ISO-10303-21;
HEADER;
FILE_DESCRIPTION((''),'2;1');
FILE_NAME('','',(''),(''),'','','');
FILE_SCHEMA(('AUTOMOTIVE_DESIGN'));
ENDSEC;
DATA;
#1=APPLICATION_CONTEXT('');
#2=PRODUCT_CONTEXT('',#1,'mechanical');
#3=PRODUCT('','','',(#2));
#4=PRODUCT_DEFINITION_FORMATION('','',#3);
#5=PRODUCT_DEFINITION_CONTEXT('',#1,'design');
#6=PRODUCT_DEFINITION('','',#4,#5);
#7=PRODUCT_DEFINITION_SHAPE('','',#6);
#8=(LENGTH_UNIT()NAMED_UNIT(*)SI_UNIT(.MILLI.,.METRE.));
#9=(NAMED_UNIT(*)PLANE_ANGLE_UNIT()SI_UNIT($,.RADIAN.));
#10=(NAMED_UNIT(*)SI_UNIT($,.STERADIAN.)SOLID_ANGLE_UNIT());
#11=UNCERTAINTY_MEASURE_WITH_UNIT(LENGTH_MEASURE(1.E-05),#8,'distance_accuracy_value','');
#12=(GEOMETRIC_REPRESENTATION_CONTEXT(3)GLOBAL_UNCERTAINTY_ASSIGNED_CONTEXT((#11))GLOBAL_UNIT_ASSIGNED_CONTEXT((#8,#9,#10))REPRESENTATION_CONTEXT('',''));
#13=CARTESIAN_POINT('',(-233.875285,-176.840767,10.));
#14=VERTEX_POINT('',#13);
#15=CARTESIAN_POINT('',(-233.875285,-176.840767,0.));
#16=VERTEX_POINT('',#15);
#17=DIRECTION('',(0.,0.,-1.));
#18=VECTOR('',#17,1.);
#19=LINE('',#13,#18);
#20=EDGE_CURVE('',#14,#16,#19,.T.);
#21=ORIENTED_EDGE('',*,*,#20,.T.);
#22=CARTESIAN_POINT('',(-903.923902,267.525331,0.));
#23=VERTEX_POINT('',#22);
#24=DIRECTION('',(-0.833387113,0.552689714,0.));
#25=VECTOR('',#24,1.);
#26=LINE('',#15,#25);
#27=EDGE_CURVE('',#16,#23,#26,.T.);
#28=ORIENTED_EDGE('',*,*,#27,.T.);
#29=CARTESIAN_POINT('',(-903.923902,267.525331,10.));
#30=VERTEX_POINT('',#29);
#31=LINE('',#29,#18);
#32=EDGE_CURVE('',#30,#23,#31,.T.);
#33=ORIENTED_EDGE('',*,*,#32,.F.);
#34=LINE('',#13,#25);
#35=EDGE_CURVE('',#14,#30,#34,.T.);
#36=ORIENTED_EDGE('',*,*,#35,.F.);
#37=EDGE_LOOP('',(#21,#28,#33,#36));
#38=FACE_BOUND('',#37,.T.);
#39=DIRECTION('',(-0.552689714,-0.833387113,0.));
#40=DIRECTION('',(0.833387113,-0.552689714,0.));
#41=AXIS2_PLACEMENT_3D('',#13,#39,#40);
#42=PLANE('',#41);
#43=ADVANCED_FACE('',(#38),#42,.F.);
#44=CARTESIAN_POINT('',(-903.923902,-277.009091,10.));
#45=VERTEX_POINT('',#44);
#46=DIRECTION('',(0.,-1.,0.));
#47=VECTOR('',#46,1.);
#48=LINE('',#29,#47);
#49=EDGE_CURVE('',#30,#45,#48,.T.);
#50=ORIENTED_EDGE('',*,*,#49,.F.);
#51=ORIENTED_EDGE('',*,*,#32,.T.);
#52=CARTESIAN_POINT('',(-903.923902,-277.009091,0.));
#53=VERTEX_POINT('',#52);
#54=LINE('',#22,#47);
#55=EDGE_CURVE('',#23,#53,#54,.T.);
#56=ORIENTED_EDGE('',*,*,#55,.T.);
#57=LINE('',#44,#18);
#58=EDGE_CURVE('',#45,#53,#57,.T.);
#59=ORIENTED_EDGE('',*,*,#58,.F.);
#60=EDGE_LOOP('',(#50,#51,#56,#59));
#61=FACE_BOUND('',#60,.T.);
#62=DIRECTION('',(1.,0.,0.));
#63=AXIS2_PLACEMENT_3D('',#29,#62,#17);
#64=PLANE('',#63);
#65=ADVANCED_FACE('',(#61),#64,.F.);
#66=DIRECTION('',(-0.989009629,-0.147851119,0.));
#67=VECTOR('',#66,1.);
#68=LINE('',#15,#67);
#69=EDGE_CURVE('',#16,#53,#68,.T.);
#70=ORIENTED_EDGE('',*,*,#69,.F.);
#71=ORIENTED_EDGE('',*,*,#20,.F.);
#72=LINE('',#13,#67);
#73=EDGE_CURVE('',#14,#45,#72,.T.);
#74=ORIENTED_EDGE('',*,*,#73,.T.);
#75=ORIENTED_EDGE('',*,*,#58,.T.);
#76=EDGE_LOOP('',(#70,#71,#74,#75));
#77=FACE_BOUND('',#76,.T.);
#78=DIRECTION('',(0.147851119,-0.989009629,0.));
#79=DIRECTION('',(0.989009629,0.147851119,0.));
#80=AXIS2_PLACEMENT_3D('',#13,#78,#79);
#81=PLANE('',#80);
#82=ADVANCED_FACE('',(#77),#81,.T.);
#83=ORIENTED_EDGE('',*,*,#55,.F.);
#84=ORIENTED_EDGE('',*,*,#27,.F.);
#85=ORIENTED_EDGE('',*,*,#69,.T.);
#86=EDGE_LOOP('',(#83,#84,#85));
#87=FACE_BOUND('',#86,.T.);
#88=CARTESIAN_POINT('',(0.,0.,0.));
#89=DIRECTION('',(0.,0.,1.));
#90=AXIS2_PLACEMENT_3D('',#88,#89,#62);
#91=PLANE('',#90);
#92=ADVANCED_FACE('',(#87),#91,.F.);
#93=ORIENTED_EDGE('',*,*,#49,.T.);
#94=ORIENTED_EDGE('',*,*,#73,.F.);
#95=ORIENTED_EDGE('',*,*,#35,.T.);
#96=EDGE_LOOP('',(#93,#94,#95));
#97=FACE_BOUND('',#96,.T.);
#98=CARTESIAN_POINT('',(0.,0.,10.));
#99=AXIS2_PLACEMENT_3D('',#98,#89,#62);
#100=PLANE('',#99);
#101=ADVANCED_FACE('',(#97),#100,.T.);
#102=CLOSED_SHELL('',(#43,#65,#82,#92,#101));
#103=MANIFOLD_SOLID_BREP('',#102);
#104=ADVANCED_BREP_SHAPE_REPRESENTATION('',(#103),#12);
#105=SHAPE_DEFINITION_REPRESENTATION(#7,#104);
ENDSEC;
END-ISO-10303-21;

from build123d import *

# Parameters (mm, degrees)
DODANIE_WYCI_GNI_CIE1_DEPTH = 10


with BuildPart() as part:
    # Szkic1 → Dodanie-wyciągnięcie1 (new body)
    with BuildSketch(Plane.XY):
        Polygon((-233.875284897, -176.840766639), (-903.923901621, -277.009091385), (-903.923901621, 267.525330512), align=None)
    extrude(amount=DODANIE_WYCI_GNI_CIE1_DEPTH)


solid = part.part
